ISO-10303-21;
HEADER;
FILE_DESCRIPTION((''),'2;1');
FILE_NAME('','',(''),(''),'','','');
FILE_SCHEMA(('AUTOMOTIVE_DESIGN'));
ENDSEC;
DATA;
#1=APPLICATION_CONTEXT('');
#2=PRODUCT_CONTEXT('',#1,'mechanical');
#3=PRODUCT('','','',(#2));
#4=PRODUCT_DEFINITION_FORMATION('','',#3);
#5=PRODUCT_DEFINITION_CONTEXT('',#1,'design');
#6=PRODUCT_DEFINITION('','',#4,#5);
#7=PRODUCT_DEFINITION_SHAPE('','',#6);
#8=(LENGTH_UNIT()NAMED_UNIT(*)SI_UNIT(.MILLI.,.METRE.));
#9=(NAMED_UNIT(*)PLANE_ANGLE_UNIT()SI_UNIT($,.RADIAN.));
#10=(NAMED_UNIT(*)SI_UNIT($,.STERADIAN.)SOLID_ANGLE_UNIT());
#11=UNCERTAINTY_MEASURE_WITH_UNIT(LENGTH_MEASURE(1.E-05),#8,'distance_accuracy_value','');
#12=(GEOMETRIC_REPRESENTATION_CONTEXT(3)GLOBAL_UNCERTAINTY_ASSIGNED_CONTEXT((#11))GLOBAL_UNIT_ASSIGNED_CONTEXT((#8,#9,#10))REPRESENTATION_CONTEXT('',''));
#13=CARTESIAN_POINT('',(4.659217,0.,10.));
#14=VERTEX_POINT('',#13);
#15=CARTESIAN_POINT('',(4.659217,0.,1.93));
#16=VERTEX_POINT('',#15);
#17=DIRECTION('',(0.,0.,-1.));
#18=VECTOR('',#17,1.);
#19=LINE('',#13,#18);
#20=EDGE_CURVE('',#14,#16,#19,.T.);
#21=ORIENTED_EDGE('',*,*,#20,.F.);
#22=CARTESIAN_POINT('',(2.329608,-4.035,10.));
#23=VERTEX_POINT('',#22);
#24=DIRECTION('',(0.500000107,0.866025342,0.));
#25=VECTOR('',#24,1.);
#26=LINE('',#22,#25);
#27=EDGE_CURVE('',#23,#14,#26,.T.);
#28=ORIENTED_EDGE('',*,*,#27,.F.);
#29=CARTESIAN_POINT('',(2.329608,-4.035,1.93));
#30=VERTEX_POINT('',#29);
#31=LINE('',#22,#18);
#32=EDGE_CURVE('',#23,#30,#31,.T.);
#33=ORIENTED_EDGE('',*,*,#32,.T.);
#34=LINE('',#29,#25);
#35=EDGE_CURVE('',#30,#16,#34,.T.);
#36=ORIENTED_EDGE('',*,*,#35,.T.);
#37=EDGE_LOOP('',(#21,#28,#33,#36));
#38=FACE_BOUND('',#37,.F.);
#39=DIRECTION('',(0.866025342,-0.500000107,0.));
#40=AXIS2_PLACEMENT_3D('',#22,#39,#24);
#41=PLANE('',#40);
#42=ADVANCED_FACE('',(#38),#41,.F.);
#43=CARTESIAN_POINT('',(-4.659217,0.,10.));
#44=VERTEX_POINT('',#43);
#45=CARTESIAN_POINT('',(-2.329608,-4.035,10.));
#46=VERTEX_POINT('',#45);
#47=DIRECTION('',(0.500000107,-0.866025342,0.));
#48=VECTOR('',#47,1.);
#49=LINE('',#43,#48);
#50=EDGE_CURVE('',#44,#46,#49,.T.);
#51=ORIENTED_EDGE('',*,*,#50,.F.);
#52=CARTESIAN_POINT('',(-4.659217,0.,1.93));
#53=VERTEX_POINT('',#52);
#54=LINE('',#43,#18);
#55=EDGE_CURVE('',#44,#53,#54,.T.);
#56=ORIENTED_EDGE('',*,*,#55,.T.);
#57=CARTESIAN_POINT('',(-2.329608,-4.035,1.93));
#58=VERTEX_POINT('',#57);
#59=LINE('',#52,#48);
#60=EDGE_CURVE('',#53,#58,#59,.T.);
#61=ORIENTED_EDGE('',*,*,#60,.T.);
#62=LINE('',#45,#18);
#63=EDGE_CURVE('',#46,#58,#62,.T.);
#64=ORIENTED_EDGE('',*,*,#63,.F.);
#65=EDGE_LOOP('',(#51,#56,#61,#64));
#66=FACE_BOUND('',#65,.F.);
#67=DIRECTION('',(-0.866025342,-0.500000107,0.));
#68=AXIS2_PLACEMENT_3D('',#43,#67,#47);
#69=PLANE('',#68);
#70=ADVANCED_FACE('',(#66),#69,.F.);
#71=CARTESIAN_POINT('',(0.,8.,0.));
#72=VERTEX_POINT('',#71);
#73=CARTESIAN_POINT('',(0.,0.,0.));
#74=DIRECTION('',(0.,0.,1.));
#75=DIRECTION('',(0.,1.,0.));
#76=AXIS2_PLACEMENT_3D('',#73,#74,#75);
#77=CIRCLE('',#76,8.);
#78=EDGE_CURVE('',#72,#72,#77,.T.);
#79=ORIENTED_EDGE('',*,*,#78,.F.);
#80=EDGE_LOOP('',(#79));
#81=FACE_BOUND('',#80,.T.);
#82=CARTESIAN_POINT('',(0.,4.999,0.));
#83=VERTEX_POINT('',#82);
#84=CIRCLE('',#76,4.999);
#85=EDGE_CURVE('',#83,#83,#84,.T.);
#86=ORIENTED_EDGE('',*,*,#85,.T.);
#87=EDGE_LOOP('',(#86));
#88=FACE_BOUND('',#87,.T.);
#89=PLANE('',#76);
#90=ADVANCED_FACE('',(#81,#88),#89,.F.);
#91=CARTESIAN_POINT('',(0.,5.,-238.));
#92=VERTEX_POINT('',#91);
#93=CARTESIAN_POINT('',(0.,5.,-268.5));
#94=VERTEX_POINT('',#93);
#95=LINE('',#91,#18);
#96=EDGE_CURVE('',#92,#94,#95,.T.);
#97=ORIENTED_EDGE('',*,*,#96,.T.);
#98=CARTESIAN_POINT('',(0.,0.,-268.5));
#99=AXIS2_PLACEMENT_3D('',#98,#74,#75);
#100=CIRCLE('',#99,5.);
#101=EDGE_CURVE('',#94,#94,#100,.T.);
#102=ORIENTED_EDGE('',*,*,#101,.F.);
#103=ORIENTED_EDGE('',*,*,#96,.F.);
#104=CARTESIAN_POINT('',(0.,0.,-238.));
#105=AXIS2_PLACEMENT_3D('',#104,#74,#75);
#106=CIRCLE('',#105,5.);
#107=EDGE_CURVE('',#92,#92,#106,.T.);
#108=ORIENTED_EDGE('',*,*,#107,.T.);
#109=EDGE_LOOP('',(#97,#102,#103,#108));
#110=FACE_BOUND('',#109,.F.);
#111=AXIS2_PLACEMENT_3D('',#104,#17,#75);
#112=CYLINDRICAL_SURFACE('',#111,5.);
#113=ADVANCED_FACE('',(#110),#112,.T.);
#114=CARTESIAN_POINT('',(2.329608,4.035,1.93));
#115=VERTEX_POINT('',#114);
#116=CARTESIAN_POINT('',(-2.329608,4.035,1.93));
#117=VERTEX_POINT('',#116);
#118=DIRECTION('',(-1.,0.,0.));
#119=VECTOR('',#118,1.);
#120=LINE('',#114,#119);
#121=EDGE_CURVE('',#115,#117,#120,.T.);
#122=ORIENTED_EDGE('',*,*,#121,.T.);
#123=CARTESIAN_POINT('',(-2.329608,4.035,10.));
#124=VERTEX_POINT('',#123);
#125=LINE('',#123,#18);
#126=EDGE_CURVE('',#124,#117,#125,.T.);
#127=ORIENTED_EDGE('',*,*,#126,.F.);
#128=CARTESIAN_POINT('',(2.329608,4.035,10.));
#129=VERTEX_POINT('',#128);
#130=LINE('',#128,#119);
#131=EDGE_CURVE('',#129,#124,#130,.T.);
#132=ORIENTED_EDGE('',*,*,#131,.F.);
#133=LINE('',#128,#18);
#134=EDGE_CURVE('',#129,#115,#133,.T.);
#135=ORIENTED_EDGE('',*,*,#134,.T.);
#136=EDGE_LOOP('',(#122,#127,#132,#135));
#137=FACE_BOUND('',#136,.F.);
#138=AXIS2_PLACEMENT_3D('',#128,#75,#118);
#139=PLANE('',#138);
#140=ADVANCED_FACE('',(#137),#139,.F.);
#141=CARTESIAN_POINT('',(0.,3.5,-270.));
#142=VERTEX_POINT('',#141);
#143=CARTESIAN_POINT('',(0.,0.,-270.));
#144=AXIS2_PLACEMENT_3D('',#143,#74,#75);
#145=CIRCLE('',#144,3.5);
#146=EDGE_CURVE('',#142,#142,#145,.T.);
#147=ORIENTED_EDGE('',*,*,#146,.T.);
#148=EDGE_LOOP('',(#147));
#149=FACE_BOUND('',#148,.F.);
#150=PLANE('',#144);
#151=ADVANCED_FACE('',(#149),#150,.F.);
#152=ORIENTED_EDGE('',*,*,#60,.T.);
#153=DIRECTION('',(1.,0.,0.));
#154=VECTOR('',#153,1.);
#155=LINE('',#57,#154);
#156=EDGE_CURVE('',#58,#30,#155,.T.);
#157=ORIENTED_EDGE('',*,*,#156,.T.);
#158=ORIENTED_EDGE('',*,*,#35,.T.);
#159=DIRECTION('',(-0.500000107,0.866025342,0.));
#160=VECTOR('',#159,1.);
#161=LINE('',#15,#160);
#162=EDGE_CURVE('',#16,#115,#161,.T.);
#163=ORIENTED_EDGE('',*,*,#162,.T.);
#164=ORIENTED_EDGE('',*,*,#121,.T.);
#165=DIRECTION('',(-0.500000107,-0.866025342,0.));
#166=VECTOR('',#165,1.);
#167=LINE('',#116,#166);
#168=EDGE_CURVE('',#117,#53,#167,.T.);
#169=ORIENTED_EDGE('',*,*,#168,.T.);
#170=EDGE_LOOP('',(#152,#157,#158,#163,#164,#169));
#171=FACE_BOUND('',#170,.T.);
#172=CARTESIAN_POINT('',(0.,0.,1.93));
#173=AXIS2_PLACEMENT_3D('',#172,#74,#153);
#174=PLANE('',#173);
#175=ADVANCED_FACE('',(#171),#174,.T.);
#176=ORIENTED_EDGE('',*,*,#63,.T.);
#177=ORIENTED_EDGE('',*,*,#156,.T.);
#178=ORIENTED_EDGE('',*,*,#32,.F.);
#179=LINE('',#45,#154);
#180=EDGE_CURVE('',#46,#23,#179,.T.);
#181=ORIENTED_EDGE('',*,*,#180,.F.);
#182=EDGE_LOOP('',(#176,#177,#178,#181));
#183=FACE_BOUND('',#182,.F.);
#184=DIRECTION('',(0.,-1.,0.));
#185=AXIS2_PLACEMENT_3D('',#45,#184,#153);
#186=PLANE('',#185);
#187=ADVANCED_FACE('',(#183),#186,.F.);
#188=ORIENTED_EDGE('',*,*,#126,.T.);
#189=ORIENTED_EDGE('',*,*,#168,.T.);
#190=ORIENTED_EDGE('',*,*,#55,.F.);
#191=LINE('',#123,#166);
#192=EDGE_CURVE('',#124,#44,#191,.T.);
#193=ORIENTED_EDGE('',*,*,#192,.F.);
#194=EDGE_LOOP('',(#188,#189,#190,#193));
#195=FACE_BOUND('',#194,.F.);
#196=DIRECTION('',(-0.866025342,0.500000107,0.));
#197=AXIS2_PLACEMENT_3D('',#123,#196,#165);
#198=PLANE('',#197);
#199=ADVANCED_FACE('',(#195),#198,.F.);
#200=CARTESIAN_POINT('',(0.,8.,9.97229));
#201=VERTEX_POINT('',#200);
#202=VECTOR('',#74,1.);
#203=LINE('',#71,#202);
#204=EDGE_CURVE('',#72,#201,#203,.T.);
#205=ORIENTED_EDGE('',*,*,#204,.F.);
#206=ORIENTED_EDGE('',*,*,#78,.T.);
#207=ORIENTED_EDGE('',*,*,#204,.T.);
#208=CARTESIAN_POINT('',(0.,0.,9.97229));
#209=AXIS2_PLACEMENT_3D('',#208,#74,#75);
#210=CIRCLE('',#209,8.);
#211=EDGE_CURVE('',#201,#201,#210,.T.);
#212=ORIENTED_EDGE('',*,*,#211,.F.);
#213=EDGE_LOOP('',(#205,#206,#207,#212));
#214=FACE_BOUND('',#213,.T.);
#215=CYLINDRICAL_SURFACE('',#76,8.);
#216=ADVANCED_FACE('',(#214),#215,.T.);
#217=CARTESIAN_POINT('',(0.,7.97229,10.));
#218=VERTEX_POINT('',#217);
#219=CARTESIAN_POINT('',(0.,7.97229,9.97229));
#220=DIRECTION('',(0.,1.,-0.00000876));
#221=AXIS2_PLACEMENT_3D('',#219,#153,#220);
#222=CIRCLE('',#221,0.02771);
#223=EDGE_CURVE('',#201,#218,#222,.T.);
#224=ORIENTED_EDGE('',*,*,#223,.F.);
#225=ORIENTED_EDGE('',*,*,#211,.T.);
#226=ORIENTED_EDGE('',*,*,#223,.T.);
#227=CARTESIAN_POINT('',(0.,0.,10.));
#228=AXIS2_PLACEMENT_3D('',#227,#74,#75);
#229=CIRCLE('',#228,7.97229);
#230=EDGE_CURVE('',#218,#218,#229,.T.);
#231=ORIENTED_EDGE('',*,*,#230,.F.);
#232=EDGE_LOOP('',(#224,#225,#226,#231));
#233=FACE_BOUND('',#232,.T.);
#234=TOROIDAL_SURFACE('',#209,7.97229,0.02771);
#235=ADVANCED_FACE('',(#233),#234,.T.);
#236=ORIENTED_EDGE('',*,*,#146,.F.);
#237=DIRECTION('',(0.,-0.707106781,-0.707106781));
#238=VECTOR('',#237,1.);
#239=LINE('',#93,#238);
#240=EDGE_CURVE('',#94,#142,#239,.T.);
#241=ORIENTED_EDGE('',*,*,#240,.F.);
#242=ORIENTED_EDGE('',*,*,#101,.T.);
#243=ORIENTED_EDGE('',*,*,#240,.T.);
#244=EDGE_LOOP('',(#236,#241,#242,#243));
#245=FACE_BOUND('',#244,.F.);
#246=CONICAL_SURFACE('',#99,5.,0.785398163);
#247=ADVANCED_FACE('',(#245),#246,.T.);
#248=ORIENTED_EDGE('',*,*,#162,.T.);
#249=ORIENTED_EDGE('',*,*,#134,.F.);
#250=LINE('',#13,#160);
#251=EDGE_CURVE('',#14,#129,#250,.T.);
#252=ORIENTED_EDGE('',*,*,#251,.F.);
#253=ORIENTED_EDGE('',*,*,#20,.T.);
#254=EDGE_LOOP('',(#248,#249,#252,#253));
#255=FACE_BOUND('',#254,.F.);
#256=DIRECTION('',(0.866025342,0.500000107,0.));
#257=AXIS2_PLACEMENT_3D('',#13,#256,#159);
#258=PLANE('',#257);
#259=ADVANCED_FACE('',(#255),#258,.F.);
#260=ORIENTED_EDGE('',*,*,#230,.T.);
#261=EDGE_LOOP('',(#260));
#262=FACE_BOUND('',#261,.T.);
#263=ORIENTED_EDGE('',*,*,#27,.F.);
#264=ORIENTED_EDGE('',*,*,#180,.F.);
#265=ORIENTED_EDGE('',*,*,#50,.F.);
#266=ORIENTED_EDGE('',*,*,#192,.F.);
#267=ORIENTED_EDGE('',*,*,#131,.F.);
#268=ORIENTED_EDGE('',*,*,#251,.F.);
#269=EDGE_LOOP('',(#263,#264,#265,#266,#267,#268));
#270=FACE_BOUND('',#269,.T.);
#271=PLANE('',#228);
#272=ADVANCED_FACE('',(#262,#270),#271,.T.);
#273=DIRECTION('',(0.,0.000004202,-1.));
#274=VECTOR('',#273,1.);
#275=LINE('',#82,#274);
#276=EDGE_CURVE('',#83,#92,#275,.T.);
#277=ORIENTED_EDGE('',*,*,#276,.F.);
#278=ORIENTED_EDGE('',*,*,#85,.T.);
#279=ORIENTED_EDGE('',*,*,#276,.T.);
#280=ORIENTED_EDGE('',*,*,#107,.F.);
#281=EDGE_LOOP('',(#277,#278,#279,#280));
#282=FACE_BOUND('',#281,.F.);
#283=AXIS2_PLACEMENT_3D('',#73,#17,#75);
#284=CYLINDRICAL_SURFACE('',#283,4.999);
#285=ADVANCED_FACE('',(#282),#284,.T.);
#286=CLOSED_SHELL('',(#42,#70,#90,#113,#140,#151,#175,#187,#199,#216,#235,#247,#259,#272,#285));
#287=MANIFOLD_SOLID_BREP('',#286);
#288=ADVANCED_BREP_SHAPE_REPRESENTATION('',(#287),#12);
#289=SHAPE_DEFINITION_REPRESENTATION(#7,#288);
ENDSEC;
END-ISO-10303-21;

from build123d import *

# Parameters (mm, degrees)
POCKET_DEPTH = 8.07


with BuildPart() as part:
    # Sketch → Revolve (revolve)
    with BuildSketch(Plane.YZ):
        with BuildLine():
            Line((4.999, 0), (8, 0))
            Line((8, 0), (8, 9.97229))
            ThreePointArc((8, 9.97229), (7.991884, 9.991884), (7.97229, 10))
            Line((7.97229, 10), (0, 10))
            Line((0, -270), (0, 10))
            Line((3.5, -270), (0, -270))
            Line((5, -268.5), (3.5, -270))
            Line((5, -238), (5, -268.5))
            Line((4.999, 0), (5, -238))
        make_face()
    revolve(axis=Axis((0, 0, 0), (0, 0, 1)))

    # Sketch001 → Pocket (cut)
    with BuildSketch(Plane.XY.offset(10)):
        Polygon((4.659217, 0), (2.329608, 4.035), (-2.329608, 4.035), (-4.659217, 0), (-2.329608, -4.035), (2.329608, -4.035), align=None)
    extrude(amount=-POCKET_DEPTH, mode=Mode.SUBTRACT)


solid = part.part
